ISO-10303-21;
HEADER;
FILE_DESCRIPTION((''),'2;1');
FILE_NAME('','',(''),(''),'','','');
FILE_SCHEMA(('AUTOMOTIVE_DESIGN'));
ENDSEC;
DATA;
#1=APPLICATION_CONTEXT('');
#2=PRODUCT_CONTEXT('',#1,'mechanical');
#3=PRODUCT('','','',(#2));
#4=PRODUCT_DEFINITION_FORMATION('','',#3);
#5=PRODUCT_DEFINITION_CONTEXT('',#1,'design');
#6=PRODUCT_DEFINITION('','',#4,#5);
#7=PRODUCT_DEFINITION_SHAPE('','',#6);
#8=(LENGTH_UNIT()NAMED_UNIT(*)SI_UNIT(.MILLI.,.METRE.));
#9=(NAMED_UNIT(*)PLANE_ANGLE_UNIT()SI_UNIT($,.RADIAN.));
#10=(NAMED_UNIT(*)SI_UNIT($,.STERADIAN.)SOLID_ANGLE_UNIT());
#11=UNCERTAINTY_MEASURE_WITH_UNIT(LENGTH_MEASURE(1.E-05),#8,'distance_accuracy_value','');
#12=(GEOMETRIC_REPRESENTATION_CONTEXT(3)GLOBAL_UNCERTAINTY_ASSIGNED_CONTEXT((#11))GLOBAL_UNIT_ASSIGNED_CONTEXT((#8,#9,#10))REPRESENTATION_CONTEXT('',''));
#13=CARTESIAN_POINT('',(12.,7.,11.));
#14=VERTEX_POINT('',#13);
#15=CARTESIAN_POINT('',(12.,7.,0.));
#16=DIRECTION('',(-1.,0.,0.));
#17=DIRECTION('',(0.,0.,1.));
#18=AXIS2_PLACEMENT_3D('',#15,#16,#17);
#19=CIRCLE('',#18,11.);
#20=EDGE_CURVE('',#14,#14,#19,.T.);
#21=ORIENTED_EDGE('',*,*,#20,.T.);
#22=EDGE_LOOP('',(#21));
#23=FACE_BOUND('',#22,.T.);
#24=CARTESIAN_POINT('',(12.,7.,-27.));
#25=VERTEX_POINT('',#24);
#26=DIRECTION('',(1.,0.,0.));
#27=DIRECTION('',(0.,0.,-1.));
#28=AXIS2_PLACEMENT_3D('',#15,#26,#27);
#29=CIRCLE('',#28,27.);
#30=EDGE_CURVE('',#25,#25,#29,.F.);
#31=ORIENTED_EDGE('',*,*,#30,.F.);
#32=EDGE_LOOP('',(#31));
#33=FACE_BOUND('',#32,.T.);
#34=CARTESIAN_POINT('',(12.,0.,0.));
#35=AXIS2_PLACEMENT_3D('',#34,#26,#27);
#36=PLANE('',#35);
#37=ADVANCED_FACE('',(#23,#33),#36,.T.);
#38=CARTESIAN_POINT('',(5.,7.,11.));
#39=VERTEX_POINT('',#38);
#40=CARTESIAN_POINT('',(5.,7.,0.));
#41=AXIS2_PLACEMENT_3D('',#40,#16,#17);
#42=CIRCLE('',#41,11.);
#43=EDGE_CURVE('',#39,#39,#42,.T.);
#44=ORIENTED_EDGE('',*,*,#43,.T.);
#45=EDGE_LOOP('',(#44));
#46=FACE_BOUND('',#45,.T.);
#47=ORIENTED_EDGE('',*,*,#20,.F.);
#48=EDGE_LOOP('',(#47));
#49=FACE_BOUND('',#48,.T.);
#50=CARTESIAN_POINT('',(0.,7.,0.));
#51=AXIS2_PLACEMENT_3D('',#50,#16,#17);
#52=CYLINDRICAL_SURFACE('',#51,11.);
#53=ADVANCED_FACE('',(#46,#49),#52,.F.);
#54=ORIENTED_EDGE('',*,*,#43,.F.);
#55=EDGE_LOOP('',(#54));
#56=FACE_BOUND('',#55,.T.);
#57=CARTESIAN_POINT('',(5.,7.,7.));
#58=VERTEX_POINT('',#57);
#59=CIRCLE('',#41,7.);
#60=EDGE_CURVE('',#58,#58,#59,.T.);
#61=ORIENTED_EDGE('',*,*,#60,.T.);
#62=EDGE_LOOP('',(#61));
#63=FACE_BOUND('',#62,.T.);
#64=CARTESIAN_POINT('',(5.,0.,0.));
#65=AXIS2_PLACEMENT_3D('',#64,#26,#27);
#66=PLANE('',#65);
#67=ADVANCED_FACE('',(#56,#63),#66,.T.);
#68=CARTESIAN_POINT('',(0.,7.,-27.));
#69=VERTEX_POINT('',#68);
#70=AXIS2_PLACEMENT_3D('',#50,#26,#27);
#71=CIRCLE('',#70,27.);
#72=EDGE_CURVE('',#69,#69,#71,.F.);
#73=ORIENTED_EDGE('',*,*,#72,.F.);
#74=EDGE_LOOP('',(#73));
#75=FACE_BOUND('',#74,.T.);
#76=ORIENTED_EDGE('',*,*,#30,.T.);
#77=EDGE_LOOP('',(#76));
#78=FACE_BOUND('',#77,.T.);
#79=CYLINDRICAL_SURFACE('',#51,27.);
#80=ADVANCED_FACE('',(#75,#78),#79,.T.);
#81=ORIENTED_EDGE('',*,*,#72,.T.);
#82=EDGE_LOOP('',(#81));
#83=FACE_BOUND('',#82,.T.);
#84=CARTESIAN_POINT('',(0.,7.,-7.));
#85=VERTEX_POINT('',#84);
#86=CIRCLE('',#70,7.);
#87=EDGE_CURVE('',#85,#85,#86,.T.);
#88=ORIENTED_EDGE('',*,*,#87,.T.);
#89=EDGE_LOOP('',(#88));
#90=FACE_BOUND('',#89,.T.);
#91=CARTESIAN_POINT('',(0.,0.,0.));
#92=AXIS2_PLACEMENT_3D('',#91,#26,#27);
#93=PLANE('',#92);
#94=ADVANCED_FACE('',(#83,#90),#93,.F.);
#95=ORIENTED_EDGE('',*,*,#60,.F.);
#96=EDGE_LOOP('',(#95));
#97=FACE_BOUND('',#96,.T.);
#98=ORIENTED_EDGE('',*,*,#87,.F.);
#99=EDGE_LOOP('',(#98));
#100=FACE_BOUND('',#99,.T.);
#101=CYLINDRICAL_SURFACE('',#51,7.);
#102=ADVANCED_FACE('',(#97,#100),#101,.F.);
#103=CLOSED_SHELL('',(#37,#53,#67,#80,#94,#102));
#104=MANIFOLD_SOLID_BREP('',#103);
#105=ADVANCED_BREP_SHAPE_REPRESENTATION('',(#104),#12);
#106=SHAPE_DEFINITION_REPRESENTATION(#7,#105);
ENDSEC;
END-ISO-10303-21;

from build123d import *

# Parameters (mm, degrees)
SKETCH2_R          = 2.5
CUT_EXTRUDE1_DEPTH = 47.445475819
CIRPATTERN1_COUNT  = 10


with BuildPart() as part:
    # Sketch1 → Revolve1 (revolve)
    with BuildSketch(Plane.XY, mode=Mode.PRIVATE) as revolve1_sk:
        Polygon((-5, 0), (5, 0), (5, -4), (12, -4), (16.497946055, -15.125128372), (13, -20), (-13, -20), (-16.497946055, -15.125128372), (-12, -4), (-5, -4), align=None)
    revolve(revolve1_sk.sketch.rotate(Axis((0, 7, 0), (1, 0, 0)), 270), axis=Axis((0, 7, 0), (1, 0, 0)))

    # SurfaceCut1
    split(bisect_by=Plane(origin=(0, 0, 0), x_dir=(0, 0, -1), z_dir=(1, 0, 0)), keep=Keep.TOP)

    # SurfaceCut4
    split(bisect_by=Plane(origin=(12, 0, 0), x_dir=(0, 0, -1), z_dir=(1, 0, 0)), keep=Keep.BOTTOM)

    # Sketch2 → Cut-Extrude1 (cut, through all)
    with BuildSketch(Plane(origin=(16.497946055, 0, 0), x_dir=(0, 0, -1), z_dir=(1, 0, 0))):
        with Locations((0, 25.5)):
            Circle(SKETCH2_R)
        with Locations((6, 27.5)):
            Circle(SKETCH2_R)
    extrude(amount=-CUT_EXTRUDE1_DEPTH, mode=Mode.SUBTRACT)

    # CirPattern1: part ×10 about axis
    cirpattern1_axis = Axis((0, 7, 0), (1, 0, 0))


with BuildPart() as part_1:
    add(part.part)
    for i in range(1, CIRPATTERN1_COUNT):
        add(part.part.rotate(cirpattern1_axis, i * 360 / CIRPATTERN1_COUNT))


solid = part_1.part
